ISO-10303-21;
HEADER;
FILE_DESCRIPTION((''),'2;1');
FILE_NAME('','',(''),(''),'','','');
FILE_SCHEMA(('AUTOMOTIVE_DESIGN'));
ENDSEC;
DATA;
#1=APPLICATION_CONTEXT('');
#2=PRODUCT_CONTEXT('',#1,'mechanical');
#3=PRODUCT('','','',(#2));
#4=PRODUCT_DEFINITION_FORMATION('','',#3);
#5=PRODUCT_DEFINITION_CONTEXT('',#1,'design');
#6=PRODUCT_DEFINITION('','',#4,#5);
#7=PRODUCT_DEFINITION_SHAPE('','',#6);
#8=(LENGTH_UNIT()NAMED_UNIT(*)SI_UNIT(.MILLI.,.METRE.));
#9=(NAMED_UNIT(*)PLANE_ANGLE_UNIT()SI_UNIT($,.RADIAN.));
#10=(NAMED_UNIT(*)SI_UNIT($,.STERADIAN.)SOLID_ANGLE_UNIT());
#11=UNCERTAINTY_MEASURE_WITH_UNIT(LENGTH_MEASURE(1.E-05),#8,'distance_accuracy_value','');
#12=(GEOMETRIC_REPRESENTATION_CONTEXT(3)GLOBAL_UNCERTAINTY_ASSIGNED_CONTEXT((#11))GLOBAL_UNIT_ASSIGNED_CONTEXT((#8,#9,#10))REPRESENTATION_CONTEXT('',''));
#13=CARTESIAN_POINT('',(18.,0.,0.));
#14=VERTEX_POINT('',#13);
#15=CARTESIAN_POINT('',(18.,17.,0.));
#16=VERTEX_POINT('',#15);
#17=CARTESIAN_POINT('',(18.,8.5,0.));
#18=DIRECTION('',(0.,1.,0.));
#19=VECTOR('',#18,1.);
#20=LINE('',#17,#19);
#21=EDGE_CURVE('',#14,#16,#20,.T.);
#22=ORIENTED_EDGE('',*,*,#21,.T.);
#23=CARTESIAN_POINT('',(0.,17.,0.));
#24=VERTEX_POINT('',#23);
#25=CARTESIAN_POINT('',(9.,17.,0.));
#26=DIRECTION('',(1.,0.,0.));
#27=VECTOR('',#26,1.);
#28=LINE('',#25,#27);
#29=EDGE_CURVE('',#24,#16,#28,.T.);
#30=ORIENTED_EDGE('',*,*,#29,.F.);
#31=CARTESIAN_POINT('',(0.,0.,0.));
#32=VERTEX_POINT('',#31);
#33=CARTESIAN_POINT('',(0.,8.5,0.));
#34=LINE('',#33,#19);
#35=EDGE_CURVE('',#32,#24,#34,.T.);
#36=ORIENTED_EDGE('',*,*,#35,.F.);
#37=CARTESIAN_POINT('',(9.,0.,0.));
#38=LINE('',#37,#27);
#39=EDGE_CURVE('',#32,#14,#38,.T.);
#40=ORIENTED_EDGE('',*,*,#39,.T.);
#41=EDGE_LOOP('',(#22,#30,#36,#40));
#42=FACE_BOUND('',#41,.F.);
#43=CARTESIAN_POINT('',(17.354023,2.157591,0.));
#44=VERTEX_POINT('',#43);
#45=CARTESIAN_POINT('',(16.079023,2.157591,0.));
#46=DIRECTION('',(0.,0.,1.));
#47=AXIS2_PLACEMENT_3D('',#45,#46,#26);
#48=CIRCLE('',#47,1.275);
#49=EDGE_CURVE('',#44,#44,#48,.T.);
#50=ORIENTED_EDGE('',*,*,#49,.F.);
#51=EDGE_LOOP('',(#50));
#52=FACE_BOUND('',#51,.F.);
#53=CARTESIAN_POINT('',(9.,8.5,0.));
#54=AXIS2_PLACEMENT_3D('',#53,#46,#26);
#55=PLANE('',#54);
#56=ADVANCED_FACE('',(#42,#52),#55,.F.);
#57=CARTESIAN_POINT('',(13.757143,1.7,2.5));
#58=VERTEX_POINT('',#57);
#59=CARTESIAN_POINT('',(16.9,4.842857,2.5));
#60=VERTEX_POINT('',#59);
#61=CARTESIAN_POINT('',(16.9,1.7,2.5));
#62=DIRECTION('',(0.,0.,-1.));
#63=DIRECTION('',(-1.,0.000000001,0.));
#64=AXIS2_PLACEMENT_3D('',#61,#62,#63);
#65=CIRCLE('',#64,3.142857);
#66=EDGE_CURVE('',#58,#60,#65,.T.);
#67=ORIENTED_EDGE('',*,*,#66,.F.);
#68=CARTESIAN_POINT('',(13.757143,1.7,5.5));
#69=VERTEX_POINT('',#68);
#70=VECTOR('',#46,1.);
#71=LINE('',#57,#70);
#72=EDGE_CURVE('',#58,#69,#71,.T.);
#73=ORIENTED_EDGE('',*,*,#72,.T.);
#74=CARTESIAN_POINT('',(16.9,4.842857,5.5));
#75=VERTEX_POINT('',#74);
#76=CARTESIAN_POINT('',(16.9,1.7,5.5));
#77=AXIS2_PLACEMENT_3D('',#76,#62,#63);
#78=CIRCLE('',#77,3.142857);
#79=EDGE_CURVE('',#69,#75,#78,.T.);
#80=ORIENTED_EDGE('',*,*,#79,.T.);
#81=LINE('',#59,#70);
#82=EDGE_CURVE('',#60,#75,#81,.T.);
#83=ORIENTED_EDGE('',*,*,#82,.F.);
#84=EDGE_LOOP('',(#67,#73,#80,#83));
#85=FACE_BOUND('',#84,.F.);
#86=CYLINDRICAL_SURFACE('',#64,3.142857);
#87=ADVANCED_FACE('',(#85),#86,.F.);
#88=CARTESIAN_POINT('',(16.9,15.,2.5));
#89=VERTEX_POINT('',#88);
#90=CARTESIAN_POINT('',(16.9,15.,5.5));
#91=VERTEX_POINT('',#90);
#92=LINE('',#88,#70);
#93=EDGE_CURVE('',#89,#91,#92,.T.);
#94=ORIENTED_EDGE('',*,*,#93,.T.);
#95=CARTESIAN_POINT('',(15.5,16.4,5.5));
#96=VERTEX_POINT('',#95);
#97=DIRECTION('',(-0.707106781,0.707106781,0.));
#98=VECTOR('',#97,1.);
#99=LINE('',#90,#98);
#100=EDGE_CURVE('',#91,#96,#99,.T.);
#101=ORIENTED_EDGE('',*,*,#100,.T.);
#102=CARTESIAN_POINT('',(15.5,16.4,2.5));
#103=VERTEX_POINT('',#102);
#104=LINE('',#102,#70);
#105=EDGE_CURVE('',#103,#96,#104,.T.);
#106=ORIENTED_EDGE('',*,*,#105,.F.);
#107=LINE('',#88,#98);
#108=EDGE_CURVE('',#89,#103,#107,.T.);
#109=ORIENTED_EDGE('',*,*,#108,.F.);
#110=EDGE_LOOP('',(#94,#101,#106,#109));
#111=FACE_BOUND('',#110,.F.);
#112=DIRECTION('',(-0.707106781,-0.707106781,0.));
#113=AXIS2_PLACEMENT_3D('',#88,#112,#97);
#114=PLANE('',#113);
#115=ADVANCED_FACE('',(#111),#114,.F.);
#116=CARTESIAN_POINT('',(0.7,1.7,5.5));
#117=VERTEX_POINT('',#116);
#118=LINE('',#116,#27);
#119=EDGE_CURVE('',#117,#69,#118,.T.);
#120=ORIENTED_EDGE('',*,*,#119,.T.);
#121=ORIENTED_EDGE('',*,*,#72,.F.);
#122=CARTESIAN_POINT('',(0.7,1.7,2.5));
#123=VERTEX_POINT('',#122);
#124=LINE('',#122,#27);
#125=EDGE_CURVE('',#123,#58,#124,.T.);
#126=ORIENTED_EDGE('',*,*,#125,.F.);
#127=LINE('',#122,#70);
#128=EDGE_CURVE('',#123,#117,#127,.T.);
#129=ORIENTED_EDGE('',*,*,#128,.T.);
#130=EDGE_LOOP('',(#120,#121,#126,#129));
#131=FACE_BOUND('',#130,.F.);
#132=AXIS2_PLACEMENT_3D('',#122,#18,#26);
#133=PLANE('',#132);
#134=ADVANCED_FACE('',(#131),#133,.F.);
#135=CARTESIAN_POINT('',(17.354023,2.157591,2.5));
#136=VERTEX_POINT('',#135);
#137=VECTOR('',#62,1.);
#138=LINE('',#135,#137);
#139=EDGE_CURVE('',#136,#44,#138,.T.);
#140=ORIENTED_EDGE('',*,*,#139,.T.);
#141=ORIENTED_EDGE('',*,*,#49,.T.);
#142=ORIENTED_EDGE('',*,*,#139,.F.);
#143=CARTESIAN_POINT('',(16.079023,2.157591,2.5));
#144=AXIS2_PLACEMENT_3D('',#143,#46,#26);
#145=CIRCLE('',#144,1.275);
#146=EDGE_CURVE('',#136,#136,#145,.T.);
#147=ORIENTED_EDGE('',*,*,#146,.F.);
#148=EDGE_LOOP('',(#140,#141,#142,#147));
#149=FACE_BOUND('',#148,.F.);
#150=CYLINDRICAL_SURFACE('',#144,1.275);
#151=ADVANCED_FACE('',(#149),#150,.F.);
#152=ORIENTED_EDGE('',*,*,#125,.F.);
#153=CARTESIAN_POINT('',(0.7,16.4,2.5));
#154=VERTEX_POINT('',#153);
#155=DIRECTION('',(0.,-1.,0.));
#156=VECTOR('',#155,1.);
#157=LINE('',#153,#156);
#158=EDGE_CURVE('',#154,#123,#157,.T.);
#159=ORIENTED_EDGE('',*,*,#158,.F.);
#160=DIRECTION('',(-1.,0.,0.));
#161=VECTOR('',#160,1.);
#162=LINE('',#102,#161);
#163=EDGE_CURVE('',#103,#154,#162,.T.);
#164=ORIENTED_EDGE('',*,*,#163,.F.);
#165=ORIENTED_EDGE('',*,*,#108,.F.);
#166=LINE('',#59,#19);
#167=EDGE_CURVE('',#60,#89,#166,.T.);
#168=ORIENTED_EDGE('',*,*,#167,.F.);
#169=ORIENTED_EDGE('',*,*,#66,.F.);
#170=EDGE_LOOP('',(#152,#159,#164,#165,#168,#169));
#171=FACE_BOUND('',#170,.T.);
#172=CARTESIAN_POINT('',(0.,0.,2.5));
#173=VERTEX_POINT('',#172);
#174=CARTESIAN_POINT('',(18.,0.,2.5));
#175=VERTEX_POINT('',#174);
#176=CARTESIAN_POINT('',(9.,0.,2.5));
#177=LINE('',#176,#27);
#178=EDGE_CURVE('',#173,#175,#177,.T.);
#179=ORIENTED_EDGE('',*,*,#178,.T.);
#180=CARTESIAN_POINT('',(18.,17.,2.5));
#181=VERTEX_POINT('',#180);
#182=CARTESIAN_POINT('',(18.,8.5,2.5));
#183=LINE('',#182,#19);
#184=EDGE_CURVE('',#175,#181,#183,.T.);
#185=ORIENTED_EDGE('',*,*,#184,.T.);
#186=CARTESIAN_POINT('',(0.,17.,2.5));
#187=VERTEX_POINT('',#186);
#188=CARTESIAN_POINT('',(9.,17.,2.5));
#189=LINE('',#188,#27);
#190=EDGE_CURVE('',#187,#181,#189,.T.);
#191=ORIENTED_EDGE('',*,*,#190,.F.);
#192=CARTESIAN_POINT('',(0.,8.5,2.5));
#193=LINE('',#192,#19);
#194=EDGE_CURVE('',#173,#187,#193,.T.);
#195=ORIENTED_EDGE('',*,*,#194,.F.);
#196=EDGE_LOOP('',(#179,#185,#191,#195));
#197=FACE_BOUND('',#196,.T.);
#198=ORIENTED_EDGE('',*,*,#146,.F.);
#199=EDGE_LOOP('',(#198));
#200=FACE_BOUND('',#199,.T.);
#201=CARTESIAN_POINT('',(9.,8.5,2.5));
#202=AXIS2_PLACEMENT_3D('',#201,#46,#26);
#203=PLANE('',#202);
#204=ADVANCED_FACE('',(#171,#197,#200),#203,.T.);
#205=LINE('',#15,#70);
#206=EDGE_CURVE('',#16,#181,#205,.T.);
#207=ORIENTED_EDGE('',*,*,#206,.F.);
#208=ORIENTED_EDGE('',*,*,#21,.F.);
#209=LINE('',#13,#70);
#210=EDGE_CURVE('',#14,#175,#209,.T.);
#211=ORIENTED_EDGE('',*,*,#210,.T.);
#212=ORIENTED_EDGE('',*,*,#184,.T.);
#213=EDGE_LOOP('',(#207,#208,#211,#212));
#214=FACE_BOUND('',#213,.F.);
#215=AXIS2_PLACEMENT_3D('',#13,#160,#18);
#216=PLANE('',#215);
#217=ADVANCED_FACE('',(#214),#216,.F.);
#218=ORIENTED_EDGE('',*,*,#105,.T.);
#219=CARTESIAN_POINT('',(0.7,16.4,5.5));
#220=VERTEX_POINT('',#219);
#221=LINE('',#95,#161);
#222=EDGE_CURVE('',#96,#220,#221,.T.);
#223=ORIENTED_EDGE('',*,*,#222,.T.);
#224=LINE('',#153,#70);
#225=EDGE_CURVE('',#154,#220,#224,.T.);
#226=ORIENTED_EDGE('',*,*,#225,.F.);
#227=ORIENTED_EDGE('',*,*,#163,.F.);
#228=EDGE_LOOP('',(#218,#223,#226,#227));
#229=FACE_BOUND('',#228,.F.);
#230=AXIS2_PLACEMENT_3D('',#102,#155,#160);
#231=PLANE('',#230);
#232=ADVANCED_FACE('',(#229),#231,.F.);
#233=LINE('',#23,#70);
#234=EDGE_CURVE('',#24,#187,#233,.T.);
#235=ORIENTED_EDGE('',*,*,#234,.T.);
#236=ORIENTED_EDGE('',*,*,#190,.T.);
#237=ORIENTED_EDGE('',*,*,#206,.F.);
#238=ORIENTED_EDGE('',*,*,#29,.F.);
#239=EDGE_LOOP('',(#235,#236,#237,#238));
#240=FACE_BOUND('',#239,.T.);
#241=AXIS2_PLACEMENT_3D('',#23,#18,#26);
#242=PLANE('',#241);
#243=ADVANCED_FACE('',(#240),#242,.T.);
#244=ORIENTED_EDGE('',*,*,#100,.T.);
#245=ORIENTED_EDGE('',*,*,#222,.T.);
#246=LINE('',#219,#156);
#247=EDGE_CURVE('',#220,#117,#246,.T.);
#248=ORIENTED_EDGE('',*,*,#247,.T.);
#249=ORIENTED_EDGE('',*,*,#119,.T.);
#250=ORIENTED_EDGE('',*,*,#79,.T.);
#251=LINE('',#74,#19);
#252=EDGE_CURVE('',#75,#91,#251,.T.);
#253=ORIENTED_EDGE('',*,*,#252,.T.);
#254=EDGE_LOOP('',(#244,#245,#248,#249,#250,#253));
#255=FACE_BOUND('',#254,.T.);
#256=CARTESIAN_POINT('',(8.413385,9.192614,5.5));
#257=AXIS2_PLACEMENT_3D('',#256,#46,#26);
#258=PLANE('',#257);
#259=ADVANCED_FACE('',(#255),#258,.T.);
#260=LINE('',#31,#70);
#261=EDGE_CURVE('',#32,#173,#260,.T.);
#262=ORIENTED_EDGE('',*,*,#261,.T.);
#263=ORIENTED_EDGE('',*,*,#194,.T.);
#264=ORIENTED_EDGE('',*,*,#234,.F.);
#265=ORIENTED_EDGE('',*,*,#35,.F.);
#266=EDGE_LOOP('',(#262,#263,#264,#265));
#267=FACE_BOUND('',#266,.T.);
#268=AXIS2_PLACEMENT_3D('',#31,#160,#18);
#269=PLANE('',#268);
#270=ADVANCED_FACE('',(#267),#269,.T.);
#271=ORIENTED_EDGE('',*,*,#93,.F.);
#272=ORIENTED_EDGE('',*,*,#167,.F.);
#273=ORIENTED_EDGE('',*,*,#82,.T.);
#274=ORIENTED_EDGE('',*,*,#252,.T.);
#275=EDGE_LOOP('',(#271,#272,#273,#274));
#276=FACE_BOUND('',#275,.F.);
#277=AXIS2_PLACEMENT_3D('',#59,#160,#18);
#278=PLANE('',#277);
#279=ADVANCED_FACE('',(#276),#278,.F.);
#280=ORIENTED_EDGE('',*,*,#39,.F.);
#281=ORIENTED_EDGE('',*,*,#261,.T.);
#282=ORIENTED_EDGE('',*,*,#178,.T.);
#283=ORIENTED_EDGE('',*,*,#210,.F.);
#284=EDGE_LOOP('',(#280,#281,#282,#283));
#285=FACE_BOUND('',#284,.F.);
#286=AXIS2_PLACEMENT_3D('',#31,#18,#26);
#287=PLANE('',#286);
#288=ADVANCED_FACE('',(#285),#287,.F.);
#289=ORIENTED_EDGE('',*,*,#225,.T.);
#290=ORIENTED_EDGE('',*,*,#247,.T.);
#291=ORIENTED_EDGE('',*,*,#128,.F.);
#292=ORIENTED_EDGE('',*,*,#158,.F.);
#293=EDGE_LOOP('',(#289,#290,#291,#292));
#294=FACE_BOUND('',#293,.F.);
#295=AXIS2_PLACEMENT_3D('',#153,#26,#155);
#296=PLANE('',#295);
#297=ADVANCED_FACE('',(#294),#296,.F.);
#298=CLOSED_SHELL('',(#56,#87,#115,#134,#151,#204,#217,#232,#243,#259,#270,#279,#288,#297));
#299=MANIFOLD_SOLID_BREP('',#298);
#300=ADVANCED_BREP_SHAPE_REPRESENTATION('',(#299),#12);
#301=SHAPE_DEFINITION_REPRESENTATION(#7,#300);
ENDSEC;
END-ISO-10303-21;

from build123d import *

# Parameters (mm, degrees)
SKIZZE1_W                       = 18
SKIZZE1_H                       = 17
AUFSATZ_LINEAR_AUSTRAGEN1_DEPTH = 2.5
AUFSATZ_LINEAR_AUSTRAGEN2_DEPTH = 3
SKIZZE3_R                       = 1.275
SCHNITT_LINEAR_AUSTRAGEN1_DEPTH = 3.5


with BuildPart() as part:
    # Skizze1 → Aufsatz-Linear austragen1 (new body)
    with BuildSketch(Plane.XY):
        with Locations((9, 8.5)):
            Rectangle(SKIZZE1_W, SKIZZE1_H)
    extrude(amount=AUFSATZ_LINEAR_AUSTRAGEN1_DEPTH)

    # Skizze2 → Aufsatz-Linear austragen2 (add)
    with BuildSketch(Plane.XY.offset(2.5)):
        with BuildLine():
            Line((0.7, 16.4), (0.7, 1.7))
            Line((0.7, 1.7), (13.757142947, 1.7))
            ThreePointArc((13.757142947, 1.7), (14.677664466, 3.922335534), (16.9, 4.842857053))
            Line((16.9, 4.842857053), (16.9, 15))
            Line((16.9, 15), (15.5, 16.4))
            Line((15.5, 16.4), (0.7, 16.4))
        make_face()
    extrude(amount=AUFSATZ_LINEAR_AUSTRAGEN2_DEPTH)

    # Skizze3 → Schnitt-Linear austragen1 (cut, through all)
    with BuildSketch(Plane.XY.offset(2.5)):
        with Locations((16.079023471, 2.15759118)):
            Circle(SKIZZE3_R)
    extrude(amount=-SCHNITT_LINEAR_AUSTRAGEN1_DEPTH, mode=Mode.SUBTRACT)


solid = part.part
